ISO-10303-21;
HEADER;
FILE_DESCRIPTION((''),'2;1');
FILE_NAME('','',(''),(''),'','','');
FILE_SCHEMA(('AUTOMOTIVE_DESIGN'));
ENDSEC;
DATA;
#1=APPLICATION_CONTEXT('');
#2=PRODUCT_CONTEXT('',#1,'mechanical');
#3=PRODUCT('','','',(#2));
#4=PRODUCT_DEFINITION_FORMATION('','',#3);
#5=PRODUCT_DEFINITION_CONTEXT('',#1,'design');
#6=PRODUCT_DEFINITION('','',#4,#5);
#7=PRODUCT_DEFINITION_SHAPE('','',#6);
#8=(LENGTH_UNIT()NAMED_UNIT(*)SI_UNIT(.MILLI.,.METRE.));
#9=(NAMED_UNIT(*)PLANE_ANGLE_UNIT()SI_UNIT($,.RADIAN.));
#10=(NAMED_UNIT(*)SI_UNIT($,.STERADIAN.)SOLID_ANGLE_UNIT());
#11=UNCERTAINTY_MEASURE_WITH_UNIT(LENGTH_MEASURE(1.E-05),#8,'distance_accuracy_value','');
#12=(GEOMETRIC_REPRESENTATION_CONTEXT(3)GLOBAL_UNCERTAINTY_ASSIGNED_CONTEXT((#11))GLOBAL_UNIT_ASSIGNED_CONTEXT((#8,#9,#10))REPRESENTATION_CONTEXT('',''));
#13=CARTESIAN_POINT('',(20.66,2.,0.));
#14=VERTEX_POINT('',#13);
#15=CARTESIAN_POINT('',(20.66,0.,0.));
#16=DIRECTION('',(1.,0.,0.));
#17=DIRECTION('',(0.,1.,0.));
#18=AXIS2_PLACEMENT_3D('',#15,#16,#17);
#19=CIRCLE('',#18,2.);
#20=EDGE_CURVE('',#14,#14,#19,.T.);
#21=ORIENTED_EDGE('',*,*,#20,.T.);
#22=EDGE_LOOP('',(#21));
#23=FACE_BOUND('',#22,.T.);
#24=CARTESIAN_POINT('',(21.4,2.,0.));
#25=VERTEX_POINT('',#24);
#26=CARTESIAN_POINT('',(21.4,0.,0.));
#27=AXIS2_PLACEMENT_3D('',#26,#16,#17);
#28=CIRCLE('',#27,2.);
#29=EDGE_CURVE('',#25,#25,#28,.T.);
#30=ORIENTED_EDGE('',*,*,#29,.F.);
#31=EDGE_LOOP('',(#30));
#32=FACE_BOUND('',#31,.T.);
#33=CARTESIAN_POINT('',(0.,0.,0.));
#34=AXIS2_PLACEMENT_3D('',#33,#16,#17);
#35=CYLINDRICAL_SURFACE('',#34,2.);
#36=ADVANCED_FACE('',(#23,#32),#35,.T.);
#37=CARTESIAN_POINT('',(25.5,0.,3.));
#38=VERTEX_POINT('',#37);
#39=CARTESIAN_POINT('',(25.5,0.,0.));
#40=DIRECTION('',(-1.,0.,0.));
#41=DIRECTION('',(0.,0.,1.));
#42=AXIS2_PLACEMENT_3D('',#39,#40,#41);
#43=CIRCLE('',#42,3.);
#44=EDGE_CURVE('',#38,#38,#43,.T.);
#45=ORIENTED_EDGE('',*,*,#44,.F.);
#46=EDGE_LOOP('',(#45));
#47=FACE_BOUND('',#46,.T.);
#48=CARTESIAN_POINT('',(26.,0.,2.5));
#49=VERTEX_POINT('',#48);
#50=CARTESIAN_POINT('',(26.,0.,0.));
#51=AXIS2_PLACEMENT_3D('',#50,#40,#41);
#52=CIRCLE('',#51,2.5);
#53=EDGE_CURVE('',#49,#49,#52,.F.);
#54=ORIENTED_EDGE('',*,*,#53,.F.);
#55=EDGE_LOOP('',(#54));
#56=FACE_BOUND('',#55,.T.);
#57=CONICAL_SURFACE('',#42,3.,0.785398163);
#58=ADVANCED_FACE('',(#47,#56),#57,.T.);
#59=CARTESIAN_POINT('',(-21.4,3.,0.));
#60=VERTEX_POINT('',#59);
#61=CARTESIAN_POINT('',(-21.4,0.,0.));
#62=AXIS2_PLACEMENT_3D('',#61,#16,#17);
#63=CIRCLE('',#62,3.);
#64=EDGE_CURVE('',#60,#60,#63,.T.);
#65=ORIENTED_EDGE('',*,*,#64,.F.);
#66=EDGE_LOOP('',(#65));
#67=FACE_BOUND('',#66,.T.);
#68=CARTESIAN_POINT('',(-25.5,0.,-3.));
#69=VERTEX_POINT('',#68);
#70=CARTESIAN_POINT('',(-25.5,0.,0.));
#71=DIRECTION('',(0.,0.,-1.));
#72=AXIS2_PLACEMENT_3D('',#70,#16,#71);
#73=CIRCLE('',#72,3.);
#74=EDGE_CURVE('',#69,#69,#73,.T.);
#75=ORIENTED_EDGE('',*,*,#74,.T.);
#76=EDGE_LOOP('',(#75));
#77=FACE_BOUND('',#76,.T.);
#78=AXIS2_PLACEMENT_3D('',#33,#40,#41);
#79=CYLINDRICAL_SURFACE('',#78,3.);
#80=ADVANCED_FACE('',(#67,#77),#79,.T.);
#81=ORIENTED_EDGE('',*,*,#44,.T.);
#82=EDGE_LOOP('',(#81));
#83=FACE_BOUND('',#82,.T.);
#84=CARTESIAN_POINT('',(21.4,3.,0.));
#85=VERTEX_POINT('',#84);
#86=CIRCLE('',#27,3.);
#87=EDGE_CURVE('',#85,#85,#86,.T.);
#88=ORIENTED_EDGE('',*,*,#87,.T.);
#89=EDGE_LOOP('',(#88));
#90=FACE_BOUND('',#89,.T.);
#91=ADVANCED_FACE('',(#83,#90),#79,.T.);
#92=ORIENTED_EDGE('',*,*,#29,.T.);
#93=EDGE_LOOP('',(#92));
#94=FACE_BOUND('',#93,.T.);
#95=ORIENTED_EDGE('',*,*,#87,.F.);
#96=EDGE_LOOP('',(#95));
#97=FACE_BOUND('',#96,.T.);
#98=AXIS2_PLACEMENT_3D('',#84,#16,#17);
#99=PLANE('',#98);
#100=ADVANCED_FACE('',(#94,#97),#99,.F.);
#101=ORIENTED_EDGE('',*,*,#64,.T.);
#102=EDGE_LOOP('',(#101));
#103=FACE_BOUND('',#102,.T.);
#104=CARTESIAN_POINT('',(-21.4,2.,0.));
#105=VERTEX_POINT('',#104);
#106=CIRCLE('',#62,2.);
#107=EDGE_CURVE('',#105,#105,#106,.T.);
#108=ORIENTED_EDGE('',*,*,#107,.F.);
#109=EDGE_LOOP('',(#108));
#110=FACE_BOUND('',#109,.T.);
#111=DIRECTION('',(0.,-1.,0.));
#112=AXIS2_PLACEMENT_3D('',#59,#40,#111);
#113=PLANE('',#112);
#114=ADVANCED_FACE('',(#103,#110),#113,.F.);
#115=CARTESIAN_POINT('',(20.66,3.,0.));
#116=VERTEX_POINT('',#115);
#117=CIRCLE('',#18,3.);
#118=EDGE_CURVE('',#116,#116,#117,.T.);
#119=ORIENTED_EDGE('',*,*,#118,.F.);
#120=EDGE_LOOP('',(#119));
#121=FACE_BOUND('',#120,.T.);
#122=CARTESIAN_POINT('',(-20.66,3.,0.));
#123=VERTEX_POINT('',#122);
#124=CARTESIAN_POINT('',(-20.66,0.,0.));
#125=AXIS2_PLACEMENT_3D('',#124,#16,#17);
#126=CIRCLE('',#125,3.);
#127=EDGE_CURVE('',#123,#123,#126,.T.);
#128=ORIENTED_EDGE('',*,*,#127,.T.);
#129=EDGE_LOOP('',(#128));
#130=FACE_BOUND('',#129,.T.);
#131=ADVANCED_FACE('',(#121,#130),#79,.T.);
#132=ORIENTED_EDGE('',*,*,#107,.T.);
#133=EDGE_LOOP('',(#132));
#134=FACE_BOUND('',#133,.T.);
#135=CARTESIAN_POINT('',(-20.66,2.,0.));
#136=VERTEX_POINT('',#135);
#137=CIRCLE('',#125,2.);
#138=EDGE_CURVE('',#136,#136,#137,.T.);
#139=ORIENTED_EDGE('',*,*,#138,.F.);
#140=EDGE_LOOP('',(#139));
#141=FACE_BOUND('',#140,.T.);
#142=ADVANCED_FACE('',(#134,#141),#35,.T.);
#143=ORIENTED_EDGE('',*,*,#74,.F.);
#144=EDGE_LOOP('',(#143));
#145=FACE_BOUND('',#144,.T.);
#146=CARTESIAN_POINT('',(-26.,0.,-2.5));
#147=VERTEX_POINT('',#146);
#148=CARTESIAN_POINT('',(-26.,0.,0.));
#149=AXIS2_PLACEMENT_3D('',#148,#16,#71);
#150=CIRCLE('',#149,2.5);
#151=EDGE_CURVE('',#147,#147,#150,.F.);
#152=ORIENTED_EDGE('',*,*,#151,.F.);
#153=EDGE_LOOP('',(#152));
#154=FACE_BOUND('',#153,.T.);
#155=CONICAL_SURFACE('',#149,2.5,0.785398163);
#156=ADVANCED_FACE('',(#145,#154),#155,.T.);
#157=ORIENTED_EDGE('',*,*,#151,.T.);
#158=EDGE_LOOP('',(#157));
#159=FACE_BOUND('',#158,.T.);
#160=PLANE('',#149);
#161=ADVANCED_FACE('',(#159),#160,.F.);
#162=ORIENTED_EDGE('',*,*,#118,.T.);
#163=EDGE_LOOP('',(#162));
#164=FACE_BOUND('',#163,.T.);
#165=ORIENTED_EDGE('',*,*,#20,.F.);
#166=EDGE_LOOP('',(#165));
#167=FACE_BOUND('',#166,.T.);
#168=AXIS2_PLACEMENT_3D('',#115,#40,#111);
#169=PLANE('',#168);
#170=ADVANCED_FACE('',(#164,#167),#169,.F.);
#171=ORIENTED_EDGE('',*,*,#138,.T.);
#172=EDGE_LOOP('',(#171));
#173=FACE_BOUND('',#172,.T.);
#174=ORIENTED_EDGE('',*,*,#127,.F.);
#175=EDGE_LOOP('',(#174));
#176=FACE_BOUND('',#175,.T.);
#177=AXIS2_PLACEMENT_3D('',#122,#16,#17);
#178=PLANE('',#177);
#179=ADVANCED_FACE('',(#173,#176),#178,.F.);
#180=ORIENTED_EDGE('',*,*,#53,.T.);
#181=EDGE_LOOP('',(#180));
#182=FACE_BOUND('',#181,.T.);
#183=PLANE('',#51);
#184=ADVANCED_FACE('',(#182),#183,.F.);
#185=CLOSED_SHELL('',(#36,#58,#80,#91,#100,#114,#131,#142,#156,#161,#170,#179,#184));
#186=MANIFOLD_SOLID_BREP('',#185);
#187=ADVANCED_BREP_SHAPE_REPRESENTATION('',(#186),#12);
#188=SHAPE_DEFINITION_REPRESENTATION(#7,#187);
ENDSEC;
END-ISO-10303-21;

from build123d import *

# Parameters (mm, degrees)
ESQUISSE1_W     = 52
ESQUISSE1_H     = 3
CHANFREIN1_SIZE = 0.5
ESQUISSE3_W     = 0.74
ESQUISSE3_H     = 1


with BuildPart() as part:
    # Esquisse1 → Révolution1 (revolve)
    with BuildSketch(Plane.XY, mode=Mode.PRIVATE) as r_volution1_sk:
        with Locations((0, 1.5)):
            Rectangle(ESQUISSE1_W, ESQUISSE1_H)
    revolve(r_volution1_sk.sketch.rotate(Axis((0, 0, 0), (1, 0, 0)), 90), axis=Axis((0, 0, 0), (1, 0, 0)))

    # Chanfrein1
    chanfrein1_edges = [part.edges().sort_by_distance(p)[0] for p in [
        (26, 0, -3),
        (-26, 0, -3),
    ]]
    chamfer(chanfrein1_edges, length=CHANFREIN1_SIZE)

    # Esquisse3 → Enlèvement de matière-Révolution1 (revolve, cut)
    with BuildSketch(Plane.XY):
        with Locations((-21.03, 2.5)):
            Rectangle(ESQUISSE3_W, ESQUISSE3_H)
        with Locations((21.03, 2.5)):
            Rectangle(ESQUISSE3_W, ESQUISSE3_H)
    revolve(axis=Axis((0, 0, 0), (-1, 0, 0)), mode=Mode.SUBTRACT)


solid = part.part
